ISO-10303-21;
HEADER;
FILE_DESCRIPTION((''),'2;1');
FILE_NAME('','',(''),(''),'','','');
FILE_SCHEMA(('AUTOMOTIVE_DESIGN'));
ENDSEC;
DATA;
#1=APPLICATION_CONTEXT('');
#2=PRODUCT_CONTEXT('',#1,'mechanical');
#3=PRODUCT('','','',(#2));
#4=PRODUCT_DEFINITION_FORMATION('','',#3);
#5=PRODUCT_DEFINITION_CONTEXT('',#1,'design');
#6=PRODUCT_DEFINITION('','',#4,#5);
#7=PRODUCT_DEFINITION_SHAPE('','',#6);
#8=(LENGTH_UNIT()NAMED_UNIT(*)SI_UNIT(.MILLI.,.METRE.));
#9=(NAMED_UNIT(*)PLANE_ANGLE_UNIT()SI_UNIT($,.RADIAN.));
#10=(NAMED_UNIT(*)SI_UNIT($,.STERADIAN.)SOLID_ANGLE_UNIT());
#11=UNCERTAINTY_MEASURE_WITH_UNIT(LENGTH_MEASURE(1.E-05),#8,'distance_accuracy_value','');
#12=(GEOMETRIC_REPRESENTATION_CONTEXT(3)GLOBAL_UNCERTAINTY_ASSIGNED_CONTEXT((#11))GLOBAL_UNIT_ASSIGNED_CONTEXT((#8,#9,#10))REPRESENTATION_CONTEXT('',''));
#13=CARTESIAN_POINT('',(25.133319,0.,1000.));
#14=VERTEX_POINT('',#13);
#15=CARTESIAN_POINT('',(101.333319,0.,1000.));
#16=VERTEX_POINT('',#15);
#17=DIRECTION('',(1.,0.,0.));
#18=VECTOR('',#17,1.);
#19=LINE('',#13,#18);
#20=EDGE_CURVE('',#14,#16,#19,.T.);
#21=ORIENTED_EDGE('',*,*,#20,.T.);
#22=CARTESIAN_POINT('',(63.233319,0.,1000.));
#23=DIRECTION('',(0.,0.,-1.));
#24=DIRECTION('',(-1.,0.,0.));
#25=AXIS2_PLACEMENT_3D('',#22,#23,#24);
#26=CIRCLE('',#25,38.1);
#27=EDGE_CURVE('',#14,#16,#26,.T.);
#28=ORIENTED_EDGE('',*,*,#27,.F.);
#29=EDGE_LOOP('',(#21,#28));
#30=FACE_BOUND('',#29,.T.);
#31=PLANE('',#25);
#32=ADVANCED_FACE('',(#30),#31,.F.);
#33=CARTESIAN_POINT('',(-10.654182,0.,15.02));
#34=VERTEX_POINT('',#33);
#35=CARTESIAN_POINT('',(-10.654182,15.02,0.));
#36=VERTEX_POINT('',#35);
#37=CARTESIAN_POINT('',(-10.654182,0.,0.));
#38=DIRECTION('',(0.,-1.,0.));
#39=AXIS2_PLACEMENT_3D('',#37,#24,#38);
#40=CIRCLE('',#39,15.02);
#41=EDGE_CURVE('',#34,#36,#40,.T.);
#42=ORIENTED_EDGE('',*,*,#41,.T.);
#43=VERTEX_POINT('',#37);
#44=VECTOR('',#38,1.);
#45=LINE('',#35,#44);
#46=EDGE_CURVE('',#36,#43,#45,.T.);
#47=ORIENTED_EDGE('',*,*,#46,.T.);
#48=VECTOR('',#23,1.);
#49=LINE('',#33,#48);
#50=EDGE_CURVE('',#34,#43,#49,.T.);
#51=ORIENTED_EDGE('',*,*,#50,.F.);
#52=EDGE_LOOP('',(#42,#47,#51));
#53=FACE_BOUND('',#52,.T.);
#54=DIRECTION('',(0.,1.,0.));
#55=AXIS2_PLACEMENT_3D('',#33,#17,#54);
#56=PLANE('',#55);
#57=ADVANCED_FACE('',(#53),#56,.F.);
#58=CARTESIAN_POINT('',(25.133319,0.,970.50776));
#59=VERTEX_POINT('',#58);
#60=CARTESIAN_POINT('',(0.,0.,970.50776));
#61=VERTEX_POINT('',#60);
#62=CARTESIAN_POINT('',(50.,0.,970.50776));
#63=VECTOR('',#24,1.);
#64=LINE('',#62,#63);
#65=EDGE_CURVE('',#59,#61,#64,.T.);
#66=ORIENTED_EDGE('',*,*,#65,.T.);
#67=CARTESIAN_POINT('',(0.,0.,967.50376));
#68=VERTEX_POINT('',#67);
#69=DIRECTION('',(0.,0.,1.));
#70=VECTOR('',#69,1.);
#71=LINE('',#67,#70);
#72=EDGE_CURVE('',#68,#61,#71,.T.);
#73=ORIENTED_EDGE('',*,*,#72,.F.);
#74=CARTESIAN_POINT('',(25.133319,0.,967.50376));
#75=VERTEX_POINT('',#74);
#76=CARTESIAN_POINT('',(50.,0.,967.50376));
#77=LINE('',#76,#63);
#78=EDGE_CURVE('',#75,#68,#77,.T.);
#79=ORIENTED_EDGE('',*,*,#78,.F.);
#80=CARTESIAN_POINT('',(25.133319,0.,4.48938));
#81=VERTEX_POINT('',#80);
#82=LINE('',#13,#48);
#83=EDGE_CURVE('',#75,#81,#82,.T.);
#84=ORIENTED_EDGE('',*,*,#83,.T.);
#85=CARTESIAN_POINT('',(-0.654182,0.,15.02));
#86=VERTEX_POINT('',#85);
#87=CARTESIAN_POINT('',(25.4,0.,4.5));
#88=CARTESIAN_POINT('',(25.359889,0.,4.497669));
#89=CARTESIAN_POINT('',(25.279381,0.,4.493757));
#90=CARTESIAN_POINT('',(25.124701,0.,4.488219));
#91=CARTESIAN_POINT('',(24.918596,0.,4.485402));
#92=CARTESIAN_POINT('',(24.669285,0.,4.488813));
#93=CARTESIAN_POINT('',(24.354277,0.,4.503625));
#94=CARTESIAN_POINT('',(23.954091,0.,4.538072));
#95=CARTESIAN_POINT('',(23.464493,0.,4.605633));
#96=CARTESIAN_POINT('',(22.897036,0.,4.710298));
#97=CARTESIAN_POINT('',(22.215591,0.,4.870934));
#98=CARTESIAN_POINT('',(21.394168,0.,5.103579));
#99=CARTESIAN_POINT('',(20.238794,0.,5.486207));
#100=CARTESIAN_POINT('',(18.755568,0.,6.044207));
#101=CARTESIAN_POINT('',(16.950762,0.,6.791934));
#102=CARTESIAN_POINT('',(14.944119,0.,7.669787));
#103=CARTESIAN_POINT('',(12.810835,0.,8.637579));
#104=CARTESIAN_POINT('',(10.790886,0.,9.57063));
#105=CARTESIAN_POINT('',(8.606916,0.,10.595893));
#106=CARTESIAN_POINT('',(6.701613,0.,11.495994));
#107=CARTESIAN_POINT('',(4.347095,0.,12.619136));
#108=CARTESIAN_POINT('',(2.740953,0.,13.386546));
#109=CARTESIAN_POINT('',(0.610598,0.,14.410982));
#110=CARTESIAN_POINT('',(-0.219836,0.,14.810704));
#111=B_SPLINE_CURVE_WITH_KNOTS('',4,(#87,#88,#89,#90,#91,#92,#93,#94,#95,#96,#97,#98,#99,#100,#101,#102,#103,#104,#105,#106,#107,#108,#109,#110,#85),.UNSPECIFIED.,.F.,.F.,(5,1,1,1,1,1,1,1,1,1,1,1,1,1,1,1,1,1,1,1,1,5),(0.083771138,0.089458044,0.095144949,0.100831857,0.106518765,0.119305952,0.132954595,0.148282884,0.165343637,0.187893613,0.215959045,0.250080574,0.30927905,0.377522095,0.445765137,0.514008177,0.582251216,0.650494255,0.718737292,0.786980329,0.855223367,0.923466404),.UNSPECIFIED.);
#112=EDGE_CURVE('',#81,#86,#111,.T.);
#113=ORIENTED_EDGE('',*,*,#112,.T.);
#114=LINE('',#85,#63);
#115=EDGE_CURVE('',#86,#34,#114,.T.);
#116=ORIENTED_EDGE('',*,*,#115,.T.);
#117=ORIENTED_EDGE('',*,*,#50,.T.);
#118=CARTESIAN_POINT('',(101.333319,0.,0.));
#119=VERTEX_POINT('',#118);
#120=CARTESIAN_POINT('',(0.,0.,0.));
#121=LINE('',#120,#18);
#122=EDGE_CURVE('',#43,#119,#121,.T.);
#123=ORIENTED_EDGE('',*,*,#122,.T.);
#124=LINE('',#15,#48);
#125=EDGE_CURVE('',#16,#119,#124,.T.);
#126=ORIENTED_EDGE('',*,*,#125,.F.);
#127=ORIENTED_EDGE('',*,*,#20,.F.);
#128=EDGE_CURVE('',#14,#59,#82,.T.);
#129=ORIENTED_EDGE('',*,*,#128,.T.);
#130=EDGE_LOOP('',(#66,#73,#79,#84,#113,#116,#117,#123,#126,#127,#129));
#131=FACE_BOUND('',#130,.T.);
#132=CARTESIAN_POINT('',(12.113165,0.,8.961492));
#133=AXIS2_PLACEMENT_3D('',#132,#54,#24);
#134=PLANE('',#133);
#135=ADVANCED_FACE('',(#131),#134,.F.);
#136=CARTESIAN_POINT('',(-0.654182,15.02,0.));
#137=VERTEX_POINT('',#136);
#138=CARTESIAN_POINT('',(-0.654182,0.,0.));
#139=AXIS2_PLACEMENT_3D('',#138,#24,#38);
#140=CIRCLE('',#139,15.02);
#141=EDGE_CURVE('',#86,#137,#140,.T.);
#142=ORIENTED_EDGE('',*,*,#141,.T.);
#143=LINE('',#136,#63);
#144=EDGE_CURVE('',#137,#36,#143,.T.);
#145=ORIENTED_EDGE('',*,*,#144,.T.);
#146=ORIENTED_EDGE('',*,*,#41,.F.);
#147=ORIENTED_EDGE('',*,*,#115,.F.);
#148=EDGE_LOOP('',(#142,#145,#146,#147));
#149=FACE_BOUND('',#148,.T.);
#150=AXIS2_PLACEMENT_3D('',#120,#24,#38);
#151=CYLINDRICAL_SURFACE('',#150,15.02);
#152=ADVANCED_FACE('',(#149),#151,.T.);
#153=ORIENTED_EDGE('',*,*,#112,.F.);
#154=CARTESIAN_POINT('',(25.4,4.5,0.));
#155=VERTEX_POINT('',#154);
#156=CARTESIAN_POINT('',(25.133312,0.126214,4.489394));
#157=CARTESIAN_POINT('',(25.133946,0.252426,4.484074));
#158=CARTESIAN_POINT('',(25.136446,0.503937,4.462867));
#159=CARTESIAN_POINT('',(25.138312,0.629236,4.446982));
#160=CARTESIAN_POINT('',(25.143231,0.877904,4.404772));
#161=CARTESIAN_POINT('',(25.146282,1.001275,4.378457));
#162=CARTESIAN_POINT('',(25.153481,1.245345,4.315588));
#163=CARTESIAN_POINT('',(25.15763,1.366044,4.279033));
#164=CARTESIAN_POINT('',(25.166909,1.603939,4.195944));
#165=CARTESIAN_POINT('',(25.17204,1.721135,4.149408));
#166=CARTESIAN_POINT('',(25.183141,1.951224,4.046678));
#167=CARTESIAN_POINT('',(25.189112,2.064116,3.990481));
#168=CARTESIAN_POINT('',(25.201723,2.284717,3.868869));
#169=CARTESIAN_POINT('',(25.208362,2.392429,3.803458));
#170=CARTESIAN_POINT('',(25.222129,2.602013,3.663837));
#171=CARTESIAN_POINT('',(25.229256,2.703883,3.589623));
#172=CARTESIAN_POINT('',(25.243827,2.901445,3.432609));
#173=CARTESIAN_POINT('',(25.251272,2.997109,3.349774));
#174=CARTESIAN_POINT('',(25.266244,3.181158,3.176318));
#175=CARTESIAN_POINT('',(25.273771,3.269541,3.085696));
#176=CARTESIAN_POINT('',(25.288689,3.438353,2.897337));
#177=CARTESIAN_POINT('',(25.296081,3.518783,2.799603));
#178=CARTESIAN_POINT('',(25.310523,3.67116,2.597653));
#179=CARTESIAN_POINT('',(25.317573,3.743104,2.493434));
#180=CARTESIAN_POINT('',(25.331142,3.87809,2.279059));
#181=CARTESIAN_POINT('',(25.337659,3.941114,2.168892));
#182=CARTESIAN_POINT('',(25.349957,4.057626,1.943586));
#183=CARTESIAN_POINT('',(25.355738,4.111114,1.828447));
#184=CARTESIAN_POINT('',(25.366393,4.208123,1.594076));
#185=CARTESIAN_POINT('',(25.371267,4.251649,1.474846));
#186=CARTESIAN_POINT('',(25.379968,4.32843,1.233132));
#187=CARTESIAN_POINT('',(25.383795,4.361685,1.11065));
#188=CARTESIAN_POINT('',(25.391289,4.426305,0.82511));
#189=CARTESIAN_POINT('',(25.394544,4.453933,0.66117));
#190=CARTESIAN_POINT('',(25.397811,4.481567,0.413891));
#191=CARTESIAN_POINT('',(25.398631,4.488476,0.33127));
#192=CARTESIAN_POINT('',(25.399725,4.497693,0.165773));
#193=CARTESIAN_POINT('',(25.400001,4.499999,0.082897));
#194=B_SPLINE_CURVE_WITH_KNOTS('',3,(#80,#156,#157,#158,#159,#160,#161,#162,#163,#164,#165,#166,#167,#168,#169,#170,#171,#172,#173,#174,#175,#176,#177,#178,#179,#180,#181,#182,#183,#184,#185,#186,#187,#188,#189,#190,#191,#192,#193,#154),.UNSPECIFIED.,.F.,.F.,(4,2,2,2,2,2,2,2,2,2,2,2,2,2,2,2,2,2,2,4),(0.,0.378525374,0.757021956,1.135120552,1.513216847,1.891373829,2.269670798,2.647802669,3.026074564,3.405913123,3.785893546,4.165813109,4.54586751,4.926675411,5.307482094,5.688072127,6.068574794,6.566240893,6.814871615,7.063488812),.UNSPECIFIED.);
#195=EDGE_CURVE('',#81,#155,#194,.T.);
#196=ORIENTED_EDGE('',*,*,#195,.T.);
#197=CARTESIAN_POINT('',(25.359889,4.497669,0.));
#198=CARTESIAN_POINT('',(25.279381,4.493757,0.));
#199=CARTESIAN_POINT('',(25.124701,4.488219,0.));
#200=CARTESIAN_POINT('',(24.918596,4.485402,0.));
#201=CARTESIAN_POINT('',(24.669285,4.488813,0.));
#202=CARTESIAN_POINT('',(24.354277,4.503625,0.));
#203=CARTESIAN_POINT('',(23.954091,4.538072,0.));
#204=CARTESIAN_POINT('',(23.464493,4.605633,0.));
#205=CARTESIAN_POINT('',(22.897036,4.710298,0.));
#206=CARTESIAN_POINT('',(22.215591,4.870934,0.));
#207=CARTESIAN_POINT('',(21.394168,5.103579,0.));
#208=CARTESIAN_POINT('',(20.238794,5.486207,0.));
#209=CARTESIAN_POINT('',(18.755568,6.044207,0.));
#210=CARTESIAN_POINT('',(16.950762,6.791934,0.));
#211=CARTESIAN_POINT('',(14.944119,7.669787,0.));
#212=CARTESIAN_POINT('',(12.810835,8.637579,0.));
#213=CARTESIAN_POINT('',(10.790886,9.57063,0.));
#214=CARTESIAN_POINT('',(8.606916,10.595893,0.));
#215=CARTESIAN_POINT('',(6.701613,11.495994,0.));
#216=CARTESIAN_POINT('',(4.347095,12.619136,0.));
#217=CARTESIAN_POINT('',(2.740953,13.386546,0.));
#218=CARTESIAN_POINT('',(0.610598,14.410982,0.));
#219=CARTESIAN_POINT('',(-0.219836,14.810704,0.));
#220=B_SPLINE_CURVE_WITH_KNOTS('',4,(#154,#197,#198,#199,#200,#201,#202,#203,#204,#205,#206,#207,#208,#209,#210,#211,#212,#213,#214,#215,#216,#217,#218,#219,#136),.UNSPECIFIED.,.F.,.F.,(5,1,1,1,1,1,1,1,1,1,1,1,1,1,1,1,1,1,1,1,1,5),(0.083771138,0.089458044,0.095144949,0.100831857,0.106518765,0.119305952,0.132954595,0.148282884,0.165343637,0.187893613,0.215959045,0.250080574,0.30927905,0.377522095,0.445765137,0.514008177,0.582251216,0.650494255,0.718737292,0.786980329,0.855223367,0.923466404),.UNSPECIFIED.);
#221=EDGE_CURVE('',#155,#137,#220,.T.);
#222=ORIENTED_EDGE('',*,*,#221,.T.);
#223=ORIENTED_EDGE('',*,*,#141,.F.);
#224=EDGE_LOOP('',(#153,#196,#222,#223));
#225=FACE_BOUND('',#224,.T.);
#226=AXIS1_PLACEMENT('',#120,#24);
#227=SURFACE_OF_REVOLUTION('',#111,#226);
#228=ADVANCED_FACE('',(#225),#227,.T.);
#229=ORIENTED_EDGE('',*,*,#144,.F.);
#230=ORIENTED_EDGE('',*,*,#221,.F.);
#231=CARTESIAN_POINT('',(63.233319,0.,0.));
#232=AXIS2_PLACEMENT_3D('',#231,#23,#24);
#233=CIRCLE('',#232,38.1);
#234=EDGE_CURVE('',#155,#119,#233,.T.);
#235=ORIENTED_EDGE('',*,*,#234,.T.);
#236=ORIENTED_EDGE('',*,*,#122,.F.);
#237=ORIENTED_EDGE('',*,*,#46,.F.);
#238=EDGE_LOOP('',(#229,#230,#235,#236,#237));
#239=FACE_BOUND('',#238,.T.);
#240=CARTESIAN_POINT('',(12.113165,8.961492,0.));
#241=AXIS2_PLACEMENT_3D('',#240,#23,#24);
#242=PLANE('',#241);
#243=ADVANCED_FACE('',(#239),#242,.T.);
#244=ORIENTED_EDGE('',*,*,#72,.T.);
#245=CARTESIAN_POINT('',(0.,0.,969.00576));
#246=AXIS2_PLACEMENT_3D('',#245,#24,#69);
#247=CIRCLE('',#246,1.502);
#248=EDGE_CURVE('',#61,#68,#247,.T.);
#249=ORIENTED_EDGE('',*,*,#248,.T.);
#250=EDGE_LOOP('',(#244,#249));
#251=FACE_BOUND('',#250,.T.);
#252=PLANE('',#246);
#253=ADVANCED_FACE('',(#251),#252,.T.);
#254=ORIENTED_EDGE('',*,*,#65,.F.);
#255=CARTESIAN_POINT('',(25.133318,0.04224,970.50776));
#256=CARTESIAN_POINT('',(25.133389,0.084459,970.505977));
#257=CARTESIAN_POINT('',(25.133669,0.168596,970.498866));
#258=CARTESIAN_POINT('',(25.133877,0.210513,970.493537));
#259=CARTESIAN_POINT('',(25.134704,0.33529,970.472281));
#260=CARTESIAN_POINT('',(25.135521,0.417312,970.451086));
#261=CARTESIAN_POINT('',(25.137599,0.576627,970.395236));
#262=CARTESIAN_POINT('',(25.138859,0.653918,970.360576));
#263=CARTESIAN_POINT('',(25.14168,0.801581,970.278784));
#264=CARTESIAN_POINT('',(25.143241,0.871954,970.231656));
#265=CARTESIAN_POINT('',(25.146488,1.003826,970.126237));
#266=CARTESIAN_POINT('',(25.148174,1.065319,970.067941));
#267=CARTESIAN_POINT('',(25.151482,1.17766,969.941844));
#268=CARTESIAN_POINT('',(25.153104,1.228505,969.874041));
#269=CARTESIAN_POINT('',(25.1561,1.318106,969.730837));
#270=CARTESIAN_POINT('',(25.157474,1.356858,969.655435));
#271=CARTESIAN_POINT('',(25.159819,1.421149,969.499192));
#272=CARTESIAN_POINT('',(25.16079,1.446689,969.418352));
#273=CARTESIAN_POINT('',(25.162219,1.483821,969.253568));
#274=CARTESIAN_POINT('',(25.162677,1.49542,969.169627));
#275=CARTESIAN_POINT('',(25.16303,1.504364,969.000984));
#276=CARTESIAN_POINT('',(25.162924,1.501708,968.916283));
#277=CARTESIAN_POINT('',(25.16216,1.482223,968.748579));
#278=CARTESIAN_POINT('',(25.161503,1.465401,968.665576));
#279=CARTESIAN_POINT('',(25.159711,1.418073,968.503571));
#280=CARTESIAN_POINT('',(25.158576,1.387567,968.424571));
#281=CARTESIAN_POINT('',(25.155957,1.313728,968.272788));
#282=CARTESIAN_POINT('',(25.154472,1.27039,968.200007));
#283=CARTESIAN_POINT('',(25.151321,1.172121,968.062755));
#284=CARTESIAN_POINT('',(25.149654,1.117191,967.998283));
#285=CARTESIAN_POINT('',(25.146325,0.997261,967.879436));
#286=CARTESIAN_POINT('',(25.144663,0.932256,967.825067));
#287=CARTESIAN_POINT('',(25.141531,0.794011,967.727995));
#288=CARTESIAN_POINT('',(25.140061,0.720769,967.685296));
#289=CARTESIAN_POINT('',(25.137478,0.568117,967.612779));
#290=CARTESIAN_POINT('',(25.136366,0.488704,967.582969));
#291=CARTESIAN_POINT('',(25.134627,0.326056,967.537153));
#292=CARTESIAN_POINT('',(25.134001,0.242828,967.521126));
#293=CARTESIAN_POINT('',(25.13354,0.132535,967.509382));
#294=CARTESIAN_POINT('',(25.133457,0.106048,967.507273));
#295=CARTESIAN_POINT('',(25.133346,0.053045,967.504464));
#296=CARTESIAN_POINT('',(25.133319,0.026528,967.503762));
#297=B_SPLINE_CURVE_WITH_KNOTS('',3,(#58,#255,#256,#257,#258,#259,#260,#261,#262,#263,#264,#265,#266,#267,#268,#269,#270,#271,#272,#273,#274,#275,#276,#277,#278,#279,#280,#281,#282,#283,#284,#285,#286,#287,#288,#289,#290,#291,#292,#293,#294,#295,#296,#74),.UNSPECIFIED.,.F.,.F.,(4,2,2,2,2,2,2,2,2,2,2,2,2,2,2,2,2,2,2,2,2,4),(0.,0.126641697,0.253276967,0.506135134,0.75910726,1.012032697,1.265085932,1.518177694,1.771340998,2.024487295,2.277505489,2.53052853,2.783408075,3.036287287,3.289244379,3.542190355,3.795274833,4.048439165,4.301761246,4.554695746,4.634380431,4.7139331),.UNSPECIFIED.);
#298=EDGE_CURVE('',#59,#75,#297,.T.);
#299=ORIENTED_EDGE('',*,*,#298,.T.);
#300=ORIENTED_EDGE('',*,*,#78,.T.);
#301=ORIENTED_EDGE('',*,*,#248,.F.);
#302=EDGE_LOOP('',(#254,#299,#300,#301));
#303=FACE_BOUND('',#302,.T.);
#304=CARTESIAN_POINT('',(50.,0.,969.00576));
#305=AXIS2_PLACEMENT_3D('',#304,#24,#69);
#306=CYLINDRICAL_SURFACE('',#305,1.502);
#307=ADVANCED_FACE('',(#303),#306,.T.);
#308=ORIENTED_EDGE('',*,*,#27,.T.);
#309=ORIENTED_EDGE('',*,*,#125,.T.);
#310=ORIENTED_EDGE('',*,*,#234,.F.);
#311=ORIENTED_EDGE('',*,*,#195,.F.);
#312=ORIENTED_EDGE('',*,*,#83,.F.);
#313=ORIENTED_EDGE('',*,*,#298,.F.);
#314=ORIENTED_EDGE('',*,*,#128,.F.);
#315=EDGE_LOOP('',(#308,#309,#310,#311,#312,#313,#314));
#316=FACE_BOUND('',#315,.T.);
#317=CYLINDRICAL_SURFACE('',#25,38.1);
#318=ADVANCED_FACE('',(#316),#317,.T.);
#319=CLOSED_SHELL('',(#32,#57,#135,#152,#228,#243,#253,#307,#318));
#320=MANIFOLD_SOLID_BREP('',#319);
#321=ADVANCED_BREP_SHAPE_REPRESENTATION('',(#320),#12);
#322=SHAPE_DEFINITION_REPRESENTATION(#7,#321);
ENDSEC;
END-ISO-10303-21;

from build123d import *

# Parameters (mm, degrees)
REVOLVE3_ANGLE      = 90
BOSS_EXTRUDE2_DEPTH = 1000
BOSS_EXTRUDE4_DEPTH = 50


with BuildPart() as part:
    # Sketch2 → Revolve3 (revolve)
    with BuildSketch(Plane.XY):
        with BuildLine():
            Line((-0.654182434, 15.02), (-10.654182434, 15.02))
            Line((-10.654182434, 15.02), (-10.654182434, 0))
            Line((-10.654182434, 0), (0, 0))
            Line((0, 0), (25.4, 0))
            Line((25.4, 0), (35.4, 0))
            Line((35.4, 0), (35.4, 4.5))
            Line((35.4, 4.5), (25.4, 4.5))
            add(Edge.make_bspline(
                [(-0.654182434, 15.02), (-0.219836229, 14.810704372), (0.610598489, 14.410982375), (2.74095302, 13.386545583), (4.34709547, 12.619135975), (6.701613478, 11.49599419), (8.606916476, 10.59589253), (10.790885987, 9.570629713), (12.810835282, 8.63757915), (14.944119423, 7.669787097), (16.950761864, 6.79193378), (18.75556814, 6.044207346), (20.238794329, 5.486207444), (21.39416777, 5.103578745), (22.215591012, 4.870934478), (22.897035956, 4.710298297), (23.464492683, 4.605633048), (23.954091395, 4.538072471), (24.354277235, 4.503624983), (24.669284768, 4.488813447), (24.918595629, 4.485402054), (25.124701431, 4.488218611), (25.279381224, 4.493757229), (25.359889237, 4.497669109), (25.4, 4.5)],
                knots=[0.083771138, 0.083771138, 0.083771138, 0.083771138, 0.083771138, 0.152014176, 0.220257214, 0.288500251, 0.356743288, 0.424986327, 0.493229366, 0.561472406, 0.629715448, 0.697958493, 0.757156968, 0.791278497, 0.81934393, 0.841893906, 0.858954658, 0.874282948, 0.887931591, 0.900718778, 0.906405686, 0.912092593, 0.917779499, 0.923466404, 0.923466404, 0.923466404, 0.923466404, 0.923466404], degree=4))
        make_face()
    revolve(axis=Axis((0, 0, 0), (1, 0, 0)), revolution_arc=REVOLVE3_ANGLE)

    # Sketch11 → Boss-Extrude2 (add)
    with BuildSketch(Plane.XY):
        with BuildLine():
            Line((25.133318649, 0), (101.333318649, 0))
            ThreePointArc((101.333318649, 0), (63.233318649, 38.1), (25.133318649, 0))
        make_face()
    extrude(amount=BOSS_EXTRUDE2_DEPTH)

    # Sketch16 → Boss-Extrude4 (add)
    with BuildSketch(Plane(origin=(0, 0, 0), x_dir=(0, 0, -1), z_dir=(1, 0, 0))):
        with BuildLine():
            Line((-967.503760297, 0), (-970.507760297, 0))
            ThreePointArc((-970.507760297, 0), (-969.005760297, 1.502), (-967.503760297, 0))
        make_face()
    extrude(amount=BOSS_EXTRUDE4_DEPTH)


solid = part.part
